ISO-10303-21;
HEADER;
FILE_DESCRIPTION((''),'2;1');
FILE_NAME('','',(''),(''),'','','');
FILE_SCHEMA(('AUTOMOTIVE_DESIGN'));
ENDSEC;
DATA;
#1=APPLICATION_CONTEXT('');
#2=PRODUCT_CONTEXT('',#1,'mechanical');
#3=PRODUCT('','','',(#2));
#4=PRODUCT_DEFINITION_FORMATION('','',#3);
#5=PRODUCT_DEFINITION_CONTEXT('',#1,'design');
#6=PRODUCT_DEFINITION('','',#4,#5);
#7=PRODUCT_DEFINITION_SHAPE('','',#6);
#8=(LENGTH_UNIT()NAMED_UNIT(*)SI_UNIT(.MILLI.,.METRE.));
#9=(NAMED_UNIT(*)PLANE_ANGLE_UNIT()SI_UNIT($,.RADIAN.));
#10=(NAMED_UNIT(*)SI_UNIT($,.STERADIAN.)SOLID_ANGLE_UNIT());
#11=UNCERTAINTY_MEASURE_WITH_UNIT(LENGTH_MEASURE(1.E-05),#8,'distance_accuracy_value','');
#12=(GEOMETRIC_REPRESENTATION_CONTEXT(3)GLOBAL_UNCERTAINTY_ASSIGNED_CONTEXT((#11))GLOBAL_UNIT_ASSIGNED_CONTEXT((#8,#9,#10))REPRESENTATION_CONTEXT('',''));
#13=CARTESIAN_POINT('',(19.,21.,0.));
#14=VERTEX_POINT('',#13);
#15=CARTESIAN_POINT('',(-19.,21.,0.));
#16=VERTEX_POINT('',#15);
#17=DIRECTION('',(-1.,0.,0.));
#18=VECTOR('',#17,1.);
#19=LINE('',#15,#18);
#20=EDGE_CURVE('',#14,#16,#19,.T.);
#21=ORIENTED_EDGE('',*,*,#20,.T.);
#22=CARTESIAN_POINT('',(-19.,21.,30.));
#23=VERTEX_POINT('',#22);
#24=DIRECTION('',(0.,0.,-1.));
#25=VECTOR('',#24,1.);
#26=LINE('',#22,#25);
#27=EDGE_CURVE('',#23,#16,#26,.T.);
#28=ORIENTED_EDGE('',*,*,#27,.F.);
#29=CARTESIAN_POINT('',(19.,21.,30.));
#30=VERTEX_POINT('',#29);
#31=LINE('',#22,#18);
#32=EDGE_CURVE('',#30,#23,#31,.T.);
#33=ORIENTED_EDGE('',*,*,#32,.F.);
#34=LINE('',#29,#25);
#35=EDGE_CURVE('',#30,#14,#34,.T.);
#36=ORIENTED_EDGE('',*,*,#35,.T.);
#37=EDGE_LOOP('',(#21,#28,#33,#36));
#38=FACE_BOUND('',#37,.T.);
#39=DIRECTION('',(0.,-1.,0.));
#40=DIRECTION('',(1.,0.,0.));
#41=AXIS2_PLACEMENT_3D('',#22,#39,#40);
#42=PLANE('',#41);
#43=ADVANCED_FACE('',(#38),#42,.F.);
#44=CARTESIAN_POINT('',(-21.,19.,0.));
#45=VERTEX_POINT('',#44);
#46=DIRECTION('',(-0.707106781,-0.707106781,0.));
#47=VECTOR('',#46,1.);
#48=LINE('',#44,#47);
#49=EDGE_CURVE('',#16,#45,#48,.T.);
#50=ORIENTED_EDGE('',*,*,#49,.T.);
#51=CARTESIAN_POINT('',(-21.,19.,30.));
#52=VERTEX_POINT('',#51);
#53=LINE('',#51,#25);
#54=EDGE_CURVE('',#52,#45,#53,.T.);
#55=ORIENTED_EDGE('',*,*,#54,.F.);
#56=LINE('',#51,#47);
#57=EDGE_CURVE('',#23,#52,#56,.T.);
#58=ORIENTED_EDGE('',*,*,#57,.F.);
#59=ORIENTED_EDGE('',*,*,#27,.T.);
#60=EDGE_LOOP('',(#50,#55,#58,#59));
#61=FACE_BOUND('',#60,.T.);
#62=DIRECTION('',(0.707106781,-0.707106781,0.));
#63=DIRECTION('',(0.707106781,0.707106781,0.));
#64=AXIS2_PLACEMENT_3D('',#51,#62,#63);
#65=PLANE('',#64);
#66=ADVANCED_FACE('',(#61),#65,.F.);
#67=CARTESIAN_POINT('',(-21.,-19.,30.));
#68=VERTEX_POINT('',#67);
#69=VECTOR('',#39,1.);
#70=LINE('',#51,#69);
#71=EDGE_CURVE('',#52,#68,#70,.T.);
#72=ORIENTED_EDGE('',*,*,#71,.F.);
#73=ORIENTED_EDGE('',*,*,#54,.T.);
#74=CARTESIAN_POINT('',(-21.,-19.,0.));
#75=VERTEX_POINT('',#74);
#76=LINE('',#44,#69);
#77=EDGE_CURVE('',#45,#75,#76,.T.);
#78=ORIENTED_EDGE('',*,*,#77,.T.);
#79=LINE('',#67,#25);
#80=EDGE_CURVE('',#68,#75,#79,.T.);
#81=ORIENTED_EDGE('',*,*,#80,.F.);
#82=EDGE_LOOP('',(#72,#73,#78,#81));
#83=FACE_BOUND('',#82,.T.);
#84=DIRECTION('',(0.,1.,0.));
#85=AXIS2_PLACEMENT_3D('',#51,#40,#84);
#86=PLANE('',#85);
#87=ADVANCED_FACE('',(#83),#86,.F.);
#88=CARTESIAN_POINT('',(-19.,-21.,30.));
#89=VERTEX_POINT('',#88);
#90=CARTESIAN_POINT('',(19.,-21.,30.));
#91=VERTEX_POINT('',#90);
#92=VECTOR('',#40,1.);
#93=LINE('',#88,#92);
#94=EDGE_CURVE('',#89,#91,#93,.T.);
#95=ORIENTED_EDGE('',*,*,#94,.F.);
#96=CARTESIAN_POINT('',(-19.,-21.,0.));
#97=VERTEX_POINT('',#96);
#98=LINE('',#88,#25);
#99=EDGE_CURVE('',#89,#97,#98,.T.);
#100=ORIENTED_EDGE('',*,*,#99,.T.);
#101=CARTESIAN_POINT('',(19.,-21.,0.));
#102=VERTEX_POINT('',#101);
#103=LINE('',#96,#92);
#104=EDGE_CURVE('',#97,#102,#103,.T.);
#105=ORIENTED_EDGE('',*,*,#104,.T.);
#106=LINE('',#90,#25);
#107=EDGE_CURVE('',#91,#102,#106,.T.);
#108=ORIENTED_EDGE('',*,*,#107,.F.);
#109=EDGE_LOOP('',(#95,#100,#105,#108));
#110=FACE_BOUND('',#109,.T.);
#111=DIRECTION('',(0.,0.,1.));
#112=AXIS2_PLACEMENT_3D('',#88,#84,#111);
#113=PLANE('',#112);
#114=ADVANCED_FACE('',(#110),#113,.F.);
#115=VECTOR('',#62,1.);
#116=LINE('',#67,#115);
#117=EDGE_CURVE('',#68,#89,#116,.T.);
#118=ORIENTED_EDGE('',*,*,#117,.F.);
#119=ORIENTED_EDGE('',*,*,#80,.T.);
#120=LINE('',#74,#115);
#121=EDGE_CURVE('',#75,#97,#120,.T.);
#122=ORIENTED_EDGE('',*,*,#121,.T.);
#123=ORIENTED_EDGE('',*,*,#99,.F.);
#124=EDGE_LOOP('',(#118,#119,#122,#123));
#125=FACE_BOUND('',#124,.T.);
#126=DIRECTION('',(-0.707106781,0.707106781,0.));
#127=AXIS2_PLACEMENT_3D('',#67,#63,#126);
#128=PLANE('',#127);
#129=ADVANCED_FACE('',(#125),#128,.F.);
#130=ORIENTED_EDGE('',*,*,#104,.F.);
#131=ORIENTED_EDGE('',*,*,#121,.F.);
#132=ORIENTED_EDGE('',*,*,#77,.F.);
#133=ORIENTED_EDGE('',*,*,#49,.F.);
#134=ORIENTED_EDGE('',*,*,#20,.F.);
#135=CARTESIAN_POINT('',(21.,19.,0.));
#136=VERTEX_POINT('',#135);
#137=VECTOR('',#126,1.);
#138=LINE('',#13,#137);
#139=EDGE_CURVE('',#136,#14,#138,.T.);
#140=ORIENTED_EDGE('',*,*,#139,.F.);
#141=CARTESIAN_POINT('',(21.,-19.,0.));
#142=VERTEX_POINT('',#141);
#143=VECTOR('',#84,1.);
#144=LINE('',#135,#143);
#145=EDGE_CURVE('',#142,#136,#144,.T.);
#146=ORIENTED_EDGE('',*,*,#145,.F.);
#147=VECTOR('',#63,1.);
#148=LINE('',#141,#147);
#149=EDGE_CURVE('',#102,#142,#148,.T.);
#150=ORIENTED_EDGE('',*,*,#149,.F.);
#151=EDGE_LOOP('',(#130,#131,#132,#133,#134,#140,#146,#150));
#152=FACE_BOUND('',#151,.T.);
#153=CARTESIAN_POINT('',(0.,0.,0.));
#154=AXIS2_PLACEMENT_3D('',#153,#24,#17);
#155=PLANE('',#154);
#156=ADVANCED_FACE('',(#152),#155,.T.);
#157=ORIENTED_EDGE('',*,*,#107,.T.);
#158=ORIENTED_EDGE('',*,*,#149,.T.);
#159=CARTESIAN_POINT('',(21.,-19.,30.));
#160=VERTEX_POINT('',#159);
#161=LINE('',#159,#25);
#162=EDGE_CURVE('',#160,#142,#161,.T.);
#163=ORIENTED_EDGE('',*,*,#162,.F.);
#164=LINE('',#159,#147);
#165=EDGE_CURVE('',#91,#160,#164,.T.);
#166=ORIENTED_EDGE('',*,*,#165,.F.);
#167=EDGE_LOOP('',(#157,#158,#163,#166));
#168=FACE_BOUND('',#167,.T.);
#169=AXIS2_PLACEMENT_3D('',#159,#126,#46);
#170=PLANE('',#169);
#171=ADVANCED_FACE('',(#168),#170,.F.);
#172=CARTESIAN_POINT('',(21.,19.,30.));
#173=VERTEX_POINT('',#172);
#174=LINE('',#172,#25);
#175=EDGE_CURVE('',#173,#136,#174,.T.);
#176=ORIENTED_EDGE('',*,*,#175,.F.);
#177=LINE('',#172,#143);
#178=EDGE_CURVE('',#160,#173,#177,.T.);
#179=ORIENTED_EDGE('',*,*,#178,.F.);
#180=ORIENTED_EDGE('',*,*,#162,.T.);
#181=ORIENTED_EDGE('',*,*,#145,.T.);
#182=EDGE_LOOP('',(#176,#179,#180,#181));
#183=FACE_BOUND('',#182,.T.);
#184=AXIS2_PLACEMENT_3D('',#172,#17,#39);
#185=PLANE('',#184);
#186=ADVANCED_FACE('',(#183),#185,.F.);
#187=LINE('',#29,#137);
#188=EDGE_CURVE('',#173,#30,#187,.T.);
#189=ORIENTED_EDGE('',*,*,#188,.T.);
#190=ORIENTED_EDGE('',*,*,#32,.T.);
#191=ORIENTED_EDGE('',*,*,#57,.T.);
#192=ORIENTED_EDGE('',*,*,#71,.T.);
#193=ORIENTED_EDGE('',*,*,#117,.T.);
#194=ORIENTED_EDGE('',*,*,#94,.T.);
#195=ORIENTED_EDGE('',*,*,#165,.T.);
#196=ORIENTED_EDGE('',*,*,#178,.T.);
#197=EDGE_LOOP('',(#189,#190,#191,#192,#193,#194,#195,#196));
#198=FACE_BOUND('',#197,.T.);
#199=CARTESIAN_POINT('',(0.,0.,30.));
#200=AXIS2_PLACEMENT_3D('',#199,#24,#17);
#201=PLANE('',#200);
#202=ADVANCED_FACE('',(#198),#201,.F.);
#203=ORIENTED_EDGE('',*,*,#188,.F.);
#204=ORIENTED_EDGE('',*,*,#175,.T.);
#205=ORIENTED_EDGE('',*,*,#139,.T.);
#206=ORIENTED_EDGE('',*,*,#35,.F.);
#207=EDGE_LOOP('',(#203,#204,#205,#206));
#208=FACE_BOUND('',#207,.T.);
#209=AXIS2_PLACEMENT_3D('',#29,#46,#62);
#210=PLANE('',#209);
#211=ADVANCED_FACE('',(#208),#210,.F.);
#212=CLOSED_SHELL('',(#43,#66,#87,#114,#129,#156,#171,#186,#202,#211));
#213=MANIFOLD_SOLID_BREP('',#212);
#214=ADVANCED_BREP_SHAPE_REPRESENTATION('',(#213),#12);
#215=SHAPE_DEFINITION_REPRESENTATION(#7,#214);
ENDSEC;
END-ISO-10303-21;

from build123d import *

# Parameters (mm, degrees)
BOSS_EXTRUDE1_DEPTH = 30


with BuildPart() as part:
    # Sketch1 → Boss-Extrude1 (new body)
    with BuildSketch(Plane.XY):
        Polygon((-21, 19), (-19, 21), (19, 21), (21, 19), (21, -19), (19, -21), (-19, -21), (-21, -19), align=None)
    extrude(amount=BOSS_EXTRUDE1_DEPTH)


solid = part.part
